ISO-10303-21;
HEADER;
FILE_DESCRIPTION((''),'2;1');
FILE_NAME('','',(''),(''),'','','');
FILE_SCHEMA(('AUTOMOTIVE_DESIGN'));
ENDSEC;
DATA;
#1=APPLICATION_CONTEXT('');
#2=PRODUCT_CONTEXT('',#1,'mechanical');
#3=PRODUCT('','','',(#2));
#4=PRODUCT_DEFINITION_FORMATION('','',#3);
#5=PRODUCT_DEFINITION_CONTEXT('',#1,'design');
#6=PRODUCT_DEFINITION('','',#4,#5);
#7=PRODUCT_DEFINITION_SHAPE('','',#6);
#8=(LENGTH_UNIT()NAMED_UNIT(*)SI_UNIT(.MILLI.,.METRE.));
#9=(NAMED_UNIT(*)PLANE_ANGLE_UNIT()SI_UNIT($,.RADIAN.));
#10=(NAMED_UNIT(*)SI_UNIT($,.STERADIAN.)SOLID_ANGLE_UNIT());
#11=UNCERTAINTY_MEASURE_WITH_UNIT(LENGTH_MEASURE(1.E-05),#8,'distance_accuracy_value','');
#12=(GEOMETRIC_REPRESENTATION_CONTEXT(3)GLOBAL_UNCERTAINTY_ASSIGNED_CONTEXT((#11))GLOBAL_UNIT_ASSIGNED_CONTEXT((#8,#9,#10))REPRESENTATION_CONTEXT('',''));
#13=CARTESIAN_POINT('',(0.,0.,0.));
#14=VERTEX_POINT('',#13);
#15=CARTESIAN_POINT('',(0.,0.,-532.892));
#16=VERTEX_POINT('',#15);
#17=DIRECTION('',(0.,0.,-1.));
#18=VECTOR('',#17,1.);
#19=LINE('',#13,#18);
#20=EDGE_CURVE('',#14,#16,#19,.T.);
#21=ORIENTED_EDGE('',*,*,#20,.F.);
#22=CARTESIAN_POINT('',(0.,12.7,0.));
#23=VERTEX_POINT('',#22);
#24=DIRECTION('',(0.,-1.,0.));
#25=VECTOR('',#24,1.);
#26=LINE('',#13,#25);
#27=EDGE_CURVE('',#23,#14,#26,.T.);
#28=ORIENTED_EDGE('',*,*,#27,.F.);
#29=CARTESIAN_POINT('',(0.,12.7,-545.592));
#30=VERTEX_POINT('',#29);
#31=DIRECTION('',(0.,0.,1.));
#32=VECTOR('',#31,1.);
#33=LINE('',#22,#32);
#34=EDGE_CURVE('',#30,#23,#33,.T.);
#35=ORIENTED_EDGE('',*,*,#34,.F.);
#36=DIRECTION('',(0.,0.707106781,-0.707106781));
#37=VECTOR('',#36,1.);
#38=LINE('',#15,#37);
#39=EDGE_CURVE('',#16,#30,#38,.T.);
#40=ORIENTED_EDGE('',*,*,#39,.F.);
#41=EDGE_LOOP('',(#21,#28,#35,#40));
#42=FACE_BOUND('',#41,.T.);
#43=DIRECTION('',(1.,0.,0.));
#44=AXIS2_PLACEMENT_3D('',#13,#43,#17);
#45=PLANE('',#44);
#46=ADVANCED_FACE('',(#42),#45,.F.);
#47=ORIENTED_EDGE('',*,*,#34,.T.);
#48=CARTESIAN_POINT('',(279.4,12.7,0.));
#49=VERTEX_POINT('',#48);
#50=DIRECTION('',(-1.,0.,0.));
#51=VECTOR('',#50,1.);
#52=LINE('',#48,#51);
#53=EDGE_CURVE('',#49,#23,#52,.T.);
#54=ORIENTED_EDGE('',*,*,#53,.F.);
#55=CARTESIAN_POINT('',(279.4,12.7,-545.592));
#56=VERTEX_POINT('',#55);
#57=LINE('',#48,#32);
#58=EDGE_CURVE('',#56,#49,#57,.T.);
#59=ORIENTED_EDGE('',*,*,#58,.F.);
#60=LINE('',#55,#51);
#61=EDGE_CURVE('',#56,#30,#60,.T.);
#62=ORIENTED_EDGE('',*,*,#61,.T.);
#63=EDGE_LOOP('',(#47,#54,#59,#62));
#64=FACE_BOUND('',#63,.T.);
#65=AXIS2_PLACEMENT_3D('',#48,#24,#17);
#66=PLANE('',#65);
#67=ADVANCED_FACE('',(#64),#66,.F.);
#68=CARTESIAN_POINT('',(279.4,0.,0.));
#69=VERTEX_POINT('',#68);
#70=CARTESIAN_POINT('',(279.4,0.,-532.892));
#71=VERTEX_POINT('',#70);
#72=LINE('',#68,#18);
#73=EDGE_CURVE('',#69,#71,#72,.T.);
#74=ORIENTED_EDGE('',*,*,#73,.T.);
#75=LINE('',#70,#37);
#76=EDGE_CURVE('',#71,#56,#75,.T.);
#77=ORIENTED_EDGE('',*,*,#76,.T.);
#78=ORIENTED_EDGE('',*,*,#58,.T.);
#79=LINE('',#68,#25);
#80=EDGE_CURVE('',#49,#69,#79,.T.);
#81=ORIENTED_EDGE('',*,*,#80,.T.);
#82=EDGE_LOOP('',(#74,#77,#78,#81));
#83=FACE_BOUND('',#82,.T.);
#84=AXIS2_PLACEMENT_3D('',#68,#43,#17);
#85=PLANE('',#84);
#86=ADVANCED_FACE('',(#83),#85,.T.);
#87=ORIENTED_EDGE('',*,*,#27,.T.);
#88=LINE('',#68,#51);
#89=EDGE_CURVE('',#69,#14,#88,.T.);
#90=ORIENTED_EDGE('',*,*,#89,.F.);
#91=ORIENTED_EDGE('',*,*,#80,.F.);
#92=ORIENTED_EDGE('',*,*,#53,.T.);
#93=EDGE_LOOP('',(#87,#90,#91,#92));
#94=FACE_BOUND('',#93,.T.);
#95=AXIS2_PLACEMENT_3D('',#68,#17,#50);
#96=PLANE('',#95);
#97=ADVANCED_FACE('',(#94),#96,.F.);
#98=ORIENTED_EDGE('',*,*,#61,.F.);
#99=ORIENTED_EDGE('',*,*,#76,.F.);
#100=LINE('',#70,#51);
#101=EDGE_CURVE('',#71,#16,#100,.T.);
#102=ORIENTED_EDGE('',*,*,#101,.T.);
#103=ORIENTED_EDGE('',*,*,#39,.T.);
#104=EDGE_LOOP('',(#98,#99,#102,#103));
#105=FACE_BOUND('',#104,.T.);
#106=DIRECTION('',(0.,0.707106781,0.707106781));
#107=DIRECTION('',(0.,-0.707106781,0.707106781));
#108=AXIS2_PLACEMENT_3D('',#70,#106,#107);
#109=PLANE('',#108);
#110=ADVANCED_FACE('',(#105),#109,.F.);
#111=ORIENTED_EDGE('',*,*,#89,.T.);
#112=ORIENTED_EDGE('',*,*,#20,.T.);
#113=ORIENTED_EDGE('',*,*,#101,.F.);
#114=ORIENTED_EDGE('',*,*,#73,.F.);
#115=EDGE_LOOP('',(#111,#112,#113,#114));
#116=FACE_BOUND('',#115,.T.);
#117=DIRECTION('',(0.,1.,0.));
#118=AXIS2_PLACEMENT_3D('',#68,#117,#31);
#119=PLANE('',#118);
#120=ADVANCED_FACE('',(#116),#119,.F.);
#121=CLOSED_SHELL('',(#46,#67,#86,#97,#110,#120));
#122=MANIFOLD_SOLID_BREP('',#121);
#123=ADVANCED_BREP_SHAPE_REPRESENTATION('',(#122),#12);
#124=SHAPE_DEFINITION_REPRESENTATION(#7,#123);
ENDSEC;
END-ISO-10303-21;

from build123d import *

# Parameters (mm, degrees)
BOSS_EXTRUDE1_DEPTH = 279.4


with BuildPart() as part:
    # Sketch1 → Boss-Extrude1 (new body)
    with BuildSketch(Plane(origin=(0, 0, 0), x_dir=(0, 0, -1), z_dir=(1, 0, 0))):
        Polygon((0, 0), (0, 12.7), (545.592, 12.7), (532.892, 0), align=None)
    extrude(amount=BOSS_EXTRUDE1_DEPTH)


solid = part.part
